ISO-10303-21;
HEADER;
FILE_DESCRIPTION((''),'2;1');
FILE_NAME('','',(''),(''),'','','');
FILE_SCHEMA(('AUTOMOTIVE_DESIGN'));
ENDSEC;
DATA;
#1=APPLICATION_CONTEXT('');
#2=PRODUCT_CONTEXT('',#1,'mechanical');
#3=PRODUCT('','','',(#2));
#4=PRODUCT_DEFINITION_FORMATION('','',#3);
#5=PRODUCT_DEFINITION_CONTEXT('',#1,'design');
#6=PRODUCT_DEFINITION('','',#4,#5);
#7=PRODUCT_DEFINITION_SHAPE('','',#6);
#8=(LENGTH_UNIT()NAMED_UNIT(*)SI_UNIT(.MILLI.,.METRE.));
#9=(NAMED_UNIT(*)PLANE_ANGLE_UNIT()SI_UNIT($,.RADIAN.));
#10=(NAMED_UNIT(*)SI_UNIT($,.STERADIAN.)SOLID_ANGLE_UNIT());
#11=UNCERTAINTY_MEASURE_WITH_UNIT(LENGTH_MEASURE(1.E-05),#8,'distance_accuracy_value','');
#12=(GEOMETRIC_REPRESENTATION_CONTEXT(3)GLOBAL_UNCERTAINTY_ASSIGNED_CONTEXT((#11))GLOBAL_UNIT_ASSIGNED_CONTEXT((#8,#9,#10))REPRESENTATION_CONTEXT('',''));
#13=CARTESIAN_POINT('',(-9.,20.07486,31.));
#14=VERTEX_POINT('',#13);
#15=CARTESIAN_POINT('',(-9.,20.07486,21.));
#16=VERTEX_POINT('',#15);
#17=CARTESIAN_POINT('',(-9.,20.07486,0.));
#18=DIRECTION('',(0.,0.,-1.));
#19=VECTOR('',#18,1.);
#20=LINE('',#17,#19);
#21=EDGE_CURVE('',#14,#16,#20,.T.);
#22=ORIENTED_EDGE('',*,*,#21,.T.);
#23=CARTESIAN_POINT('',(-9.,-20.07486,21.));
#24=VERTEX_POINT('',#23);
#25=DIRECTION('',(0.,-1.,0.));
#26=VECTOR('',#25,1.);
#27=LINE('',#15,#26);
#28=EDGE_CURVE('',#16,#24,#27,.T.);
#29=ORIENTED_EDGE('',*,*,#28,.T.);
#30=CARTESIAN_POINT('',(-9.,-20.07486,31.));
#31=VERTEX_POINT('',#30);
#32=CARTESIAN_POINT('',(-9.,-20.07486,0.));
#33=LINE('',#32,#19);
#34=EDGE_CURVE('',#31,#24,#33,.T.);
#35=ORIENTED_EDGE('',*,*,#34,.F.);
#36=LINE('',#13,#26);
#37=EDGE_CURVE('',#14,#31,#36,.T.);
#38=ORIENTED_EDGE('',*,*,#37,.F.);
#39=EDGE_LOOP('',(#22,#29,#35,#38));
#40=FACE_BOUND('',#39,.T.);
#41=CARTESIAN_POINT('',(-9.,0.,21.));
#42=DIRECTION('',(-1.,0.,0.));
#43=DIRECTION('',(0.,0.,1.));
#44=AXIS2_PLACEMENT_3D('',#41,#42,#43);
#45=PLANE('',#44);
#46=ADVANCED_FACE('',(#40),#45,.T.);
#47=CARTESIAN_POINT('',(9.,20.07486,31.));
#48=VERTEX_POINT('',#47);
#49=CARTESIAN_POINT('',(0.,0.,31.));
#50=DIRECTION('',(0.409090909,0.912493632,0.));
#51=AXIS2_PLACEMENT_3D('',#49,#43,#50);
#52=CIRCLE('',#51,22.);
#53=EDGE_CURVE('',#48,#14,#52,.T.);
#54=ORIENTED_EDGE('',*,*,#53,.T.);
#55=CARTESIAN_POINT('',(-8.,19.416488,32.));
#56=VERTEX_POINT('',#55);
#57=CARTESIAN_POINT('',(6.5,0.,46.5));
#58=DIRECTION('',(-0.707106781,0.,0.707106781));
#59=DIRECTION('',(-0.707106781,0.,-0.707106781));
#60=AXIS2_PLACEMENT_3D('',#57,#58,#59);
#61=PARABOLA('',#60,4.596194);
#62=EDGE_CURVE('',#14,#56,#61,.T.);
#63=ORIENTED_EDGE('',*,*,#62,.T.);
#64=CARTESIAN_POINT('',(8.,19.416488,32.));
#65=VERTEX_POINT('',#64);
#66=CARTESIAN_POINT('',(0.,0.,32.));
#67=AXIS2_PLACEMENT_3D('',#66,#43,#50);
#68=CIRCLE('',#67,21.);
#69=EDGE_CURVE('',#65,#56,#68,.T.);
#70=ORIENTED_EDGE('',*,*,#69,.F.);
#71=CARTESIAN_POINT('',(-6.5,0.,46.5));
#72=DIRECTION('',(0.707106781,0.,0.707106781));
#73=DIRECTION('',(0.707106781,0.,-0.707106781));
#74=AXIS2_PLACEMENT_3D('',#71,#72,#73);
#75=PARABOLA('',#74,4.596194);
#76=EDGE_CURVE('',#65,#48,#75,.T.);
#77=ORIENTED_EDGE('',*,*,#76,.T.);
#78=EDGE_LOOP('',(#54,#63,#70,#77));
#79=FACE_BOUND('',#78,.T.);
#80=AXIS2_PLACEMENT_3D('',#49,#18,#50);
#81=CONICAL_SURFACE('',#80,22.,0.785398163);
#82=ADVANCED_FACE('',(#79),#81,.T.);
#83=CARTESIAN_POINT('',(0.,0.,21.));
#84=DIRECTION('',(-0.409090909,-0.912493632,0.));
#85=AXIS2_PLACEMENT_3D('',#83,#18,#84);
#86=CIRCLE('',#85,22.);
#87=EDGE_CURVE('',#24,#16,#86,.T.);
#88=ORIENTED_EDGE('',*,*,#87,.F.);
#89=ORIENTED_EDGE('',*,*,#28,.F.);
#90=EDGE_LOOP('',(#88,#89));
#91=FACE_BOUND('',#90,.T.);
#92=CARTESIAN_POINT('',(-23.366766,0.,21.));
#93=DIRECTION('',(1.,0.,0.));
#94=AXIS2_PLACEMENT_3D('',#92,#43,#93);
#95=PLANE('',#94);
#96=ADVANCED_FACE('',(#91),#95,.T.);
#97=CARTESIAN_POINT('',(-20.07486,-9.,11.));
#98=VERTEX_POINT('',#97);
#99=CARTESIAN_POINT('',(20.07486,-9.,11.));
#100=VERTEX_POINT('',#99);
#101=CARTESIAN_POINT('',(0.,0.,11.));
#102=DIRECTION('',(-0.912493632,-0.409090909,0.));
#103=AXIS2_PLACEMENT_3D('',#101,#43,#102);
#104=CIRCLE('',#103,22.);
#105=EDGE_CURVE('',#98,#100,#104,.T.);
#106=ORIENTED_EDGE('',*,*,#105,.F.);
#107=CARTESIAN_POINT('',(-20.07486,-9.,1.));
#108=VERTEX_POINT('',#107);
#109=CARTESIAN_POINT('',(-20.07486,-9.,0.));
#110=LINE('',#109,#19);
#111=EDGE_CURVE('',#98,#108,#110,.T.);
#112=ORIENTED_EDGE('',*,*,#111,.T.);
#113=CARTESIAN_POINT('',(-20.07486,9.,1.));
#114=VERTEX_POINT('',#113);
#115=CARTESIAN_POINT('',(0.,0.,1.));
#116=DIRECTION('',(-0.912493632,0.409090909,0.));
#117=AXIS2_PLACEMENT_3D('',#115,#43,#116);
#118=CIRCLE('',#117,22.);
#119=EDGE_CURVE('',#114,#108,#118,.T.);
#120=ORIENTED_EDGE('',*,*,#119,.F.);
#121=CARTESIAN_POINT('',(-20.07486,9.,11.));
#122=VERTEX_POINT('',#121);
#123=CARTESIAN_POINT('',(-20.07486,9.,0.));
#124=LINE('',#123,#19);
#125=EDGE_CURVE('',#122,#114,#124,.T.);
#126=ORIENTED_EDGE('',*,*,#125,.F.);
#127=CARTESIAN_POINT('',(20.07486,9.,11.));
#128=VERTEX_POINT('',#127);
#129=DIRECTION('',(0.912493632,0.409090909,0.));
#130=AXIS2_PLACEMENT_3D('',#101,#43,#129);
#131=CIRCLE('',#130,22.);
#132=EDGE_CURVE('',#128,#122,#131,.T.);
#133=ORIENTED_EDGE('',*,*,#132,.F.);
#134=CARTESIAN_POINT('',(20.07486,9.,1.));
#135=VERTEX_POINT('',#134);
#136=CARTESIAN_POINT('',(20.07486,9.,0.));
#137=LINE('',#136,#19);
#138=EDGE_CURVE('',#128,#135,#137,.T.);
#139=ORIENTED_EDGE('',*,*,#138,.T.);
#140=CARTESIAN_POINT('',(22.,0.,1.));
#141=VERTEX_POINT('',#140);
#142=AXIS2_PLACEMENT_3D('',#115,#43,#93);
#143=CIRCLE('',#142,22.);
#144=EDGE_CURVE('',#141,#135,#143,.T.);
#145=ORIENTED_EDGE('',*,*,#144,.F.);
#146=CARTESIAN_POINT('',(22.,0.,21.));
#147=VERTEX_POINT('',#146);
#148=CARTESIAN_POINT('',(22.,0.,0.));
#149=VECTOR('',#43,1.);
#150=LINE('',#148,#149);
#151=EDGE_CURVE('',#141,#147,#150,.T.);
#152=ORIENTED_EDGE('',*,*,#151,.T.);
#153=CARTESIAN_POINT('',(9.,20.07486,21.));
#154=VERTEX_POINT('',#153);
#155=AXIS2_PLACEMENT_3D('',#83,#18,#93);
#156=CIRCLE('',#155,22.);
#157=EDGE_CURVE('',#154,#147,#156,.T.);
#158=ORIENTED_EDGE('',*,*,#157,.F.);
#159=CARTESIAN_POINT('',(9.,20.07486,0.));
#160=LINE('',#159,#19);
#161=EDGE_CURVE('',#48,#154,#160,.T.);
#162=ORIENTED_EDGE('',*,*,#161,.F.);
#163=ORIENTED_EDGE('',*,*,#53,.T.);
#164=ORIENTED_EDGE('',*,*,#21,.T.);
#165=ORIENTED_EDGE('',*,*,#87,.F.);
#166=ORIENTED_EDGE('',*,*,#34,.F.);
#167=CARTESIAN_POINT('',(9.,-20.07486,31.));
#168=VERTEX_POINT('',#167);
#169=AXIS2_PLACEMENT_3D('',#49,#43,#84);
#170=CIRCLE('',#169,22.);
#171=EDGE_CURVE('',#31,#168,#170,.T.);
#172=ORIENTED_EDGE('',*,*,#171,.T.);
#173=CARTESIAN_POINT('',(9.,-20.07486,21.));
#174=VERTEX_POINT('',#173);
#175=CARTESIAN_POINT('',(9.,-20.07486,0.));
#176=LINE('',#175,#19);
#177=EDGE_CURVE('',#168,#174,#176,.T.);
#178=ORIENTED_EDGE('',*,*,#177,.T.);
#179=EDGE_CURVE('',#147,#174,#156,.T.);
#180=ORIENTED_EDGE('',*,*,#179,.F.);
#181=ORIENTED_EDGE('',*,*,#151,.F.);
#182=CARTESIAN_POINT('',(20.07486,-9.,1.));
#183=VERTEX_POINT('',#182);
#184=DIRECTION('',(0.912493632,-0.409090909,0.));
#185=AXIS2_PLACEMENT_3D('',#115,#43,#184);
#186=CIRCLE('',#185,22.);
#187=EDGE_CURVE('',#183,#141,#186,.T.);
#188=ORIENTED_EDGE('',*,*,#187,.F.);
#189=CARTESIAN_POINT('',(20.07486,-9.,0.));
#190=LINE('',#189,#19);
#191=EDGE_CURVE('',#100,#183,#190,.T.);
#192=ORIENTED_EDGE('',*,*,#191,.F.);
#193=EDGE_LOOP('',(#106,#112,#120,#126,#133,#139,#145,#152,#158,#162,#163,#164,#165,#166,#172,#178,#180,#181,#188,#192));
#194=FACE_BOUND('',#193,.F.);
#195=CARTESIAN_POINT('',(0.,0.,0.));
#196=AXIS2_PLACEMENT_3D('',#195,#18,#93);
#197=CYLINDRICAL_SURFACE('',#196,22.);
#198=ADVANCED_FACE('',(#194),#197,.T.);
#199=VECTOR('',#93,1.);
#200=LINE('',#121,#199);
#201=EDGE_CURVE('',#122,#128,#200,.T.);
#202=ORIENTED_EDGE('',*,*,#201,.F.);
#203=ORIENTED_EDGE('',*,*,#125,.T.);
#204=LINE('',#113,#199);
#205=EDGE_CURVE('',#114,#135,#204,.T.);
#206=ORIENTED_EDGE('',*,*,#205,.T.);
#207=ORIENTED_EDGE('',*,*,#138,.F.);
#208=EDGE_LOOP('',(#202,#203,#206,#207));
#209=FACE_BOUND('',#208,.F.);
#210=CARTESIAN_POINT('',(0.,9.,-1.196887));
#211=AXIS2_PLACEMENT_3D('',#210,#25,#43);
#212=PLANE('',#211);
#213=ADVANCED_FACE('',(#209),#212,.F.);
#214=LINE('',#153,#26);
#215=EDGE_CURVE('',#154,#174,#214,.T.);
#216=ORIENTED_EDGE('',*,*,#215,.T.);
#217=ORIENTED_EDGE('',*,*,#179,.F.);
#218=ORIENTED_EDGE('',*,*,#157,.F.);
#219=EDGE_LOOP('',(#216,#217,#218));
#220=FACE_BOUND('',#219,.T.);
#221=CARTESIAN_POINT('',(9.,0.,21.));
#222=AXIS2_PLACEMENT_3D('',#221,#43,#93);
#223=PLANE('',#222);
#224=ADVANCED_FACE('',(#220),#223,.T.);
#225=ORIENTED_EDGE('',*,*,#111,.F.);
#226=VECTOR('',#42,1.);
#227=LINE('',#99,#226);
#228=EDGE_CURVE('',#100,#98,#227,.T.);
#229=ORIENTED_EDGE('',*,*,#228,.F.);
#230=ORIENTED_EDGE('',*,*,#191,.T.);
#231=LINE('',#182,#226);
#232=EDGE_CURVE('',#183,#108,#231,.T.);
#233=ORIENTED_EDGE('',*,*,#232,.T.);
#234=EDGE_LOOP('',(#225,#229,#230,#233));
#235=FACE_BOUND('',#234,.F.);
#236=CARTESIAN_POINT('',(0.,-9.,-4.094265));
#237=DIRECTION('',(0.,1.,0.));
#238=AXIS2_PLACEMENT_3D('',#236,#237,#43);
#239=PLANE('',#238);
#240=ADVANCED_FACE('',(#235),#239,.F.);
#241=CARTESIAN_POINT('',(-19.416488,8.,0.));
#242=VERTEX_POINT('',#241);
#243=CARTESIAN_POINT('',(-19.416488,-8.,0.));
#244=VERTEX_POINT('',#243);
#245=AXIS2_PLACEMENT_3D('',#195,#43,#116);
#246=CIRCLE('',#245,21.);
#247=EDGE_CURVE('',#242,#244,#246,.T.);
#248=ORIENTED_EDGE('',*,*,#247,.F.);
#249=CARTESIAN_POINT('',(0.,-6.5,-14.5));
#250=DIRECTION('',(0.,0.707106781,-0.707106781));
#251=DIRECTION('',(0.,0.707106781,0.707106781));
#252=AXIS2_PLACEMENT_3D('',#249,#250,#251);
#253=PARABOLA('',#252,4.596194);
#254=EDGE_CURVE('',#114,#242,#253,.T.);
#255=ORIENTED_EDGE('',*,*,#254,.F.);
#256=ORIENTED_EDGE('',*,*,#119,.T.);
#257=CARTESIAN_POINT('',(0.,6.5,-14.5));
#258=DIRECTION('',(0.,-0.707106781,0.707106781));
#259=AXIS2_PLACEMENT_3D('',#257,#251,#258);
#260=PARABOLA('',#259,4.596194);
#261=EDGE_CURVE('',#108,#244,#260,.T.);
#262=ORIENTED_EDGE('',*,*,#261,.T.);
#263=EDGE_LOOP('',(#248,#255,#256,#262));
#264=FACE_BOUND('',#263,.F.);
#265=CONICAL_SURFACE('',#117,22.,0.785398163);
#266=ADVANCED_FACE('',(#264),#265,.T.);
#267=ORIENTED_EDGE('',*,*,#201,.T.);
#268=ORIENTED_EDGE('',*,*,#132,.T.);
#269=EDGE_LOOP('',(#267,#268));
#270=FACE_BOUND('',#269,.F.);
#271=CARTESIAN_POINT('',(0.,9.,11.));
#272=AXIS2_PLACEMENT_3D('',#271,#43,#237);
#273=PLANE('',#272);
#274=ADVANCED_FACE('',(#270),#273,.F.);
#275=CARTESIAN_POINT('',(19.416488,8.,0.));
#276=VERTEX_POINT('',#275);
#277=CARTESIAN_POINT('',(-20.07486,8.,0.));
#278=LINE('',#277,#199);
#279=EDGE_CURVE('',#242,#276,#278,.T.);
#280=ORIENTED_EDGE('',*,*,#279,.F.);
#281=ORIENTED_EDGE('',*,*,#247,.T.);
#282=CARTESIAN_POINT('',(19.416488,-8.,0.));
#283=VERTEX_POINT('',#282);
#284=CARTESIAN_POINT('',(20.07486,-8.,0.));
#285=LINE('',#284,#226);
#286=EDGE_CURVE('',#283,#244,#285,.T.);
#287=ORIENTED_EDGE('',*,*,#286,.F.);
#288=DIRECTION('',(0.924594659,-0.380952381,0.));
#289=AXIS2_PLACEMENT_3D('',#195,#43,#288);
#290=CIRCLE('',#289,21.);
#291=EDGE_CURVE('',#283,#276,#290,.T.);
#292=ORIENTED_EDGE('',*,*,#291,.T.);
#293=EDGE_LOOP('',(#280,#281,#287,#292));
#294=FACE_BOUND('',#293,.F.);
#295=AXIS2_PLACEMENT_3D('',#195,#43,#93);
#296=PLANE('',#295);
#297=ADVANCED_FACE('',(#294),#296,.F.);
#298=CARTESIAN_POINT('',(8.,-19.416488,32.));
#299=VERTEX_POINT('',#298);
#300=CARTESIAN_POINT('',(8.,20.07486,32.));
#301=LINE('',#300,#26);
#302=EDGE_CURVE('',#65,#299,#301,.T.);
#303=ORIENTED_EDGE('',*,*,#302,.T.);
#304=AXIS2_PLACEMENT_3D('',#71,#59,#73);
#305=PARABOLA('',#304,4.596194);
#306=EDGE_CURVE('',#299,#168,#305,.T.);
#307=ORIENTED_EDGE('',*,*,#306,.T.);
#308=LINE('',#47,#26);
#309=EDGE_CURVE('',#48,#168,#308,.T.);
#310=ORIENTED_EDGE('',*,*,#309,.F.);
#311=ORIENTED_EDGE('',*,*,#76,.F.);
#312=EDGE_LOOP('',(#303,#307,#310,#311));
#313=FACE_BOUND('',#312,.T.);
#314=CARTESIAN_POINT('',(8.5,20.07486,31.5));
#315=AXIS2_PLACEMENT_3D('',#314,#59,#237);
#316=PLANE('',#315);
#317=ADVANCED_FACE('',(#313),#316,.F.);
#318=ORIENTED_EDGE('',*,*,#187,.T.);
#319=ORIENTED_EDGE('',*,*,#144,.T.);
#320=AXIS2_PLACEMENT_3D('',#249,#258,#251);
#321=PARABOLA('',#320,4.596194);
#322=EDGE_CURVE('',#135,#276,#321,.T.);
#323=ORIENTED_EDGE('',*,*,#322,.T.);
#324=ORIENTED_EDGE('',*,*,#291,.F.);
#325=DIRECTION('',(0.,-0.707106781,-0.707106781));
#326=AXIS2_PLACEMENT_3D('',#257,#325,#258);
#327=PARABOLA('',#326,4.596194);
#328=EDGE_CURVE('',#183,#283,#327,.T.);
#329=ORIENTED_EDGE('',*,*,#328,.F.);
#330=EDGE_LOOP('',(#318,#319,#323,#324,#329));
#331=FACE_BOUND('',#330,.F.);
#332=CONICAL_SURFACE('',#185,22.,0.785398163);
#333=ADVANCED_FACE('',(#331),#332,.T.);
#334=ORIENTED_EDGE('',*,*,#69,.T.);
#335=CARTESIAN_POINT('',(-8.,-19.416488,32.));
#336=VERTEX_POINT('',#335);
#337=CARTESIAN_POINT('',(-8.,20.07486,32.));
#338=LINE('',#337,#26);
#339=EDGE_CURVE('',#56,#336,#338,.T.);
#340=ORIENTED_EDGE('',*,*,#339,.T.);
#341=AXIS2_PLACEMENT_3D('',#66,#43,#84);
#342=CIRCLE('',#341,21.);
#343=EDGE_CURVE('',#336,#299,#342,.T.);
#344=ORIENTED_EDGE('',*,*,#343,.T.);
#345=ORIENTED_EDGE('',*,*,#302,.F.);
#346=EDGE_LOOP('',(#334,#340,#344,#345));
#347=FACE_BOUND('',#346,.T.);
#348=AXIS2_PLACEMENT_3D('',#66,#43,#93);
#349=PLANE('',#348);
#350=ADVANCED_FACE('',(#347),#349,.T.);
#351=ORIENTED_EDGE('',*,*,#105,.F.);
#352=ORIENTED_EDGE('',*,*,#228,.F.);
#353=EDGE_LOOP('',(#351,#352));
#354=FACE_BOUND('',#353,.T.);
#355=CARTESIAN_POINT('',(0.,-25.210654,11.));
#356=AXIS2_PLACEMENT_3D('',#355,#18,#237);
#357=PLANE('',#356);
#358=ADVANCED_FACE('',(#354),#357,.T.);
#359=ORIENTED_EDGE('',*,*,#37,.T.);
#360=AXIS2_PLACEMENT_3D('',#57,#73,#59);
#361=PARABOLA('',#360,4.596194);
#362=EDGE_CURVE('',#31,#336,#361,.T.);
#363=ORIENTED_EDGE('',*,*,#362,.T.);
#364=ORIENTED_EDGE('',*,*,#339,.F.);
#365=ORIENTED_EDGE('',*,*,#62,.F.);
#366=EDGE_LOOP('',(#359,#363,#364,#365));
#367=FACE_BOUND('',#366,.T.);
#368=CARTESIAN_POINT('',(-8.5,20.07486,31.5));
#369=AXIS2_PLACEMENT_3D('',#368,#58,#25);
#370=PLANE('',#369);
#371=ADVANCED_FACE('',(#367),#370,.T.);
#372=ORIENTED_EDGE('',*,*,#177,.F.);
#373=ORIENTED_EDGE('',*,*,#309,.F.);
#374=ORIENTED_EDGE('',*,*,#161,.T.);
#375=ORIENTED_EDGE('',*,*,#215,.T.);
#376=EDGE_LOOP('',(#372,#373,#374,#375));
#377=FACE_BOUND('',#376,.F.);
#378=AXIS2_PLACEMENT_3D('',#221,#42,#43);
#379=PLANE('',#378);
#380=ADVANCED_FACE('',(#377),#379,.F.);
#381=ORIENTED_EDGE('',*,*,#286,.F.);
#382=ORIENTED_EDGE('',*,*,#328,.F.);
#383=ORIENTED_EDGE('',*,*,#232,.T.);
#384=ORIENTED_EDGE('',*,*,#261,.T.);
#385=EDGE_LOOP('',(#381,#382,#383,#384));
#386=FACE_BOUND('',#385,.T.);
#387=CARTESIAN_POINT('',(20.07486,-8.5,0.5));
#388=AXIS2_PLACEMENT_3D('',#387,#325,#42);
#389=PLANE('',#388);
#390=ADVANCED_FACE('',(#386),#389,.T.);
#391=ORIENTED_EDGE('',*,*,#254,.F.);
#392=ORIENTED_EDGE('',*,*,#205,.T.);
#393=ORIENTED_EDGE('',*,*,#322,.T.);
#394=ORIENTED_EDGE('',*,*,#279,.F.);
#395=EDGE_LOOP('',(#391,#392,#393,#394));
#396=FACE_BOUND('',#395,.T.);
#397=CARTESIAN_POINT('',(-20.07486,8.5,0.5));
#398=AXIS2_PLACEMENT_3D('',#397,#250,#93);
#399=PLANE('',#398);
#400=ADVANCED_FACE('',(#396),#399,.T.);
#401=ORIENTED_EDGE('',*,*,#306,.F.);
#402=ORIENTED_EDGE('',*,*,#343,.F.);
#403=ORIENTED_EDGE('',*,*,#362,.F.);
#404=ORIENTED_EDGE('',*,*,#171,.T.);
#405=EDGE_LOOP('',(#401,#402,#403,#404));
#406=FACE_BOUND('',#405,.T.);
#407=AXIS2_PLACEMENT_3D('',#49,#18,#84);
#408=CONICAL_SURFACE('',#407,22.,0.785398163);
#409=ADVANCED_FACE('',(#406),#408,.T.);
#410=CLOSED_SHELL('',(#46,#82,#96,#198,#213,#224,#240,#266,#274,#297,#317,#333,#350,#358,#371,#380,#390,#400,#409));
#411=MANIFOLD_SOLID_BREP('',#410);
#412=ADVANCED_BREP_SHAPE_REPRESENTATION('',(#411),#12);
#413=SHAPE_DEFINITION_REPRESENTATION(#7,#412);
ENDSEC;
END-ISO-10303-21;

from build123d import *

# Parameters (mm, degrees)
F0_R          = 22
F1_DEPTH      = 32
F2_W          = 14.3667660505
F2_H          = 12.7565913796
F2_W_2        = 13.8227823973
F2_H_2        = 11.8480638564
F3_DEPTH      = 22.001
F3_DEPTH_BACK = 25
F4_W          = 16.210654363
F4_H          = 15.0942654014
F4_W_2        = 16.4447609186
F4_H_2        = 12.1968873441
F5_DEPTH      = 22.001
F5_DEPTH_BACK = 25
F6_SIZE       = 1


with BuildPart() as f1:
    # F0 (on Top) → F1 (new body)
    with BuildSketch(Plane.XY):
        Circle(F0_R)
    extrude(amount=F1_DEPTH)

    # F2 (on Front) → F3 (cut, two sides)
    with BuildSketch(Plane.XZ) as f3_sk:
        with Locations((-16.1833830252, 27.3782956898)):
            Rectangle(F2_W, F2_H)
        with Locations((15.9113911986, 26.9240319282)):
            Rectangle(F2_W_2, F2_H_2)
    extrude(amount=F3_DEPTH, mode=Mode.SUBTRACT)
    extrude(f3_sk.sketch, amount=-F3_DEPTH_BACK, mode=Mode.SUBTRACT)

    # F4 (on Right) → F5 (cut, two sides)
    with BuildSketch(Plane.YZ) as f5_sk:
        with Locations((-17.1053271815, 3.4528672993)):
            Rectangle(F4_W, F4_H)
        with Locations((17.2223804593, 4.9015563279)):
            Rectangle(F4_W_2, F4_H_2)
    extrude(amount=-F5_DEPTH, mode=Mode.SUBTRACT)
    extrude(f5_sk.sketch, amount=F5_DEPTH_BACK, mode=Mode.SUBTRACT)

    # F6
    f6_edges = [f1.edges().sort_by_distance(p)[0] for p in [
        (9, 0, 32),
        (0, -22, 32),
        (-9, 0, 32),
        (0, 22, 32),
        (21.513332, -4.601798, 0),
        (0, -9, 0),
        (-22, 0, 0),
        (0, 9, 0),
        (21.513332, 4.601798, 0),
    ]]
    chamfer(f6_edges, length=F6_SIZE)


solid = f1.part
